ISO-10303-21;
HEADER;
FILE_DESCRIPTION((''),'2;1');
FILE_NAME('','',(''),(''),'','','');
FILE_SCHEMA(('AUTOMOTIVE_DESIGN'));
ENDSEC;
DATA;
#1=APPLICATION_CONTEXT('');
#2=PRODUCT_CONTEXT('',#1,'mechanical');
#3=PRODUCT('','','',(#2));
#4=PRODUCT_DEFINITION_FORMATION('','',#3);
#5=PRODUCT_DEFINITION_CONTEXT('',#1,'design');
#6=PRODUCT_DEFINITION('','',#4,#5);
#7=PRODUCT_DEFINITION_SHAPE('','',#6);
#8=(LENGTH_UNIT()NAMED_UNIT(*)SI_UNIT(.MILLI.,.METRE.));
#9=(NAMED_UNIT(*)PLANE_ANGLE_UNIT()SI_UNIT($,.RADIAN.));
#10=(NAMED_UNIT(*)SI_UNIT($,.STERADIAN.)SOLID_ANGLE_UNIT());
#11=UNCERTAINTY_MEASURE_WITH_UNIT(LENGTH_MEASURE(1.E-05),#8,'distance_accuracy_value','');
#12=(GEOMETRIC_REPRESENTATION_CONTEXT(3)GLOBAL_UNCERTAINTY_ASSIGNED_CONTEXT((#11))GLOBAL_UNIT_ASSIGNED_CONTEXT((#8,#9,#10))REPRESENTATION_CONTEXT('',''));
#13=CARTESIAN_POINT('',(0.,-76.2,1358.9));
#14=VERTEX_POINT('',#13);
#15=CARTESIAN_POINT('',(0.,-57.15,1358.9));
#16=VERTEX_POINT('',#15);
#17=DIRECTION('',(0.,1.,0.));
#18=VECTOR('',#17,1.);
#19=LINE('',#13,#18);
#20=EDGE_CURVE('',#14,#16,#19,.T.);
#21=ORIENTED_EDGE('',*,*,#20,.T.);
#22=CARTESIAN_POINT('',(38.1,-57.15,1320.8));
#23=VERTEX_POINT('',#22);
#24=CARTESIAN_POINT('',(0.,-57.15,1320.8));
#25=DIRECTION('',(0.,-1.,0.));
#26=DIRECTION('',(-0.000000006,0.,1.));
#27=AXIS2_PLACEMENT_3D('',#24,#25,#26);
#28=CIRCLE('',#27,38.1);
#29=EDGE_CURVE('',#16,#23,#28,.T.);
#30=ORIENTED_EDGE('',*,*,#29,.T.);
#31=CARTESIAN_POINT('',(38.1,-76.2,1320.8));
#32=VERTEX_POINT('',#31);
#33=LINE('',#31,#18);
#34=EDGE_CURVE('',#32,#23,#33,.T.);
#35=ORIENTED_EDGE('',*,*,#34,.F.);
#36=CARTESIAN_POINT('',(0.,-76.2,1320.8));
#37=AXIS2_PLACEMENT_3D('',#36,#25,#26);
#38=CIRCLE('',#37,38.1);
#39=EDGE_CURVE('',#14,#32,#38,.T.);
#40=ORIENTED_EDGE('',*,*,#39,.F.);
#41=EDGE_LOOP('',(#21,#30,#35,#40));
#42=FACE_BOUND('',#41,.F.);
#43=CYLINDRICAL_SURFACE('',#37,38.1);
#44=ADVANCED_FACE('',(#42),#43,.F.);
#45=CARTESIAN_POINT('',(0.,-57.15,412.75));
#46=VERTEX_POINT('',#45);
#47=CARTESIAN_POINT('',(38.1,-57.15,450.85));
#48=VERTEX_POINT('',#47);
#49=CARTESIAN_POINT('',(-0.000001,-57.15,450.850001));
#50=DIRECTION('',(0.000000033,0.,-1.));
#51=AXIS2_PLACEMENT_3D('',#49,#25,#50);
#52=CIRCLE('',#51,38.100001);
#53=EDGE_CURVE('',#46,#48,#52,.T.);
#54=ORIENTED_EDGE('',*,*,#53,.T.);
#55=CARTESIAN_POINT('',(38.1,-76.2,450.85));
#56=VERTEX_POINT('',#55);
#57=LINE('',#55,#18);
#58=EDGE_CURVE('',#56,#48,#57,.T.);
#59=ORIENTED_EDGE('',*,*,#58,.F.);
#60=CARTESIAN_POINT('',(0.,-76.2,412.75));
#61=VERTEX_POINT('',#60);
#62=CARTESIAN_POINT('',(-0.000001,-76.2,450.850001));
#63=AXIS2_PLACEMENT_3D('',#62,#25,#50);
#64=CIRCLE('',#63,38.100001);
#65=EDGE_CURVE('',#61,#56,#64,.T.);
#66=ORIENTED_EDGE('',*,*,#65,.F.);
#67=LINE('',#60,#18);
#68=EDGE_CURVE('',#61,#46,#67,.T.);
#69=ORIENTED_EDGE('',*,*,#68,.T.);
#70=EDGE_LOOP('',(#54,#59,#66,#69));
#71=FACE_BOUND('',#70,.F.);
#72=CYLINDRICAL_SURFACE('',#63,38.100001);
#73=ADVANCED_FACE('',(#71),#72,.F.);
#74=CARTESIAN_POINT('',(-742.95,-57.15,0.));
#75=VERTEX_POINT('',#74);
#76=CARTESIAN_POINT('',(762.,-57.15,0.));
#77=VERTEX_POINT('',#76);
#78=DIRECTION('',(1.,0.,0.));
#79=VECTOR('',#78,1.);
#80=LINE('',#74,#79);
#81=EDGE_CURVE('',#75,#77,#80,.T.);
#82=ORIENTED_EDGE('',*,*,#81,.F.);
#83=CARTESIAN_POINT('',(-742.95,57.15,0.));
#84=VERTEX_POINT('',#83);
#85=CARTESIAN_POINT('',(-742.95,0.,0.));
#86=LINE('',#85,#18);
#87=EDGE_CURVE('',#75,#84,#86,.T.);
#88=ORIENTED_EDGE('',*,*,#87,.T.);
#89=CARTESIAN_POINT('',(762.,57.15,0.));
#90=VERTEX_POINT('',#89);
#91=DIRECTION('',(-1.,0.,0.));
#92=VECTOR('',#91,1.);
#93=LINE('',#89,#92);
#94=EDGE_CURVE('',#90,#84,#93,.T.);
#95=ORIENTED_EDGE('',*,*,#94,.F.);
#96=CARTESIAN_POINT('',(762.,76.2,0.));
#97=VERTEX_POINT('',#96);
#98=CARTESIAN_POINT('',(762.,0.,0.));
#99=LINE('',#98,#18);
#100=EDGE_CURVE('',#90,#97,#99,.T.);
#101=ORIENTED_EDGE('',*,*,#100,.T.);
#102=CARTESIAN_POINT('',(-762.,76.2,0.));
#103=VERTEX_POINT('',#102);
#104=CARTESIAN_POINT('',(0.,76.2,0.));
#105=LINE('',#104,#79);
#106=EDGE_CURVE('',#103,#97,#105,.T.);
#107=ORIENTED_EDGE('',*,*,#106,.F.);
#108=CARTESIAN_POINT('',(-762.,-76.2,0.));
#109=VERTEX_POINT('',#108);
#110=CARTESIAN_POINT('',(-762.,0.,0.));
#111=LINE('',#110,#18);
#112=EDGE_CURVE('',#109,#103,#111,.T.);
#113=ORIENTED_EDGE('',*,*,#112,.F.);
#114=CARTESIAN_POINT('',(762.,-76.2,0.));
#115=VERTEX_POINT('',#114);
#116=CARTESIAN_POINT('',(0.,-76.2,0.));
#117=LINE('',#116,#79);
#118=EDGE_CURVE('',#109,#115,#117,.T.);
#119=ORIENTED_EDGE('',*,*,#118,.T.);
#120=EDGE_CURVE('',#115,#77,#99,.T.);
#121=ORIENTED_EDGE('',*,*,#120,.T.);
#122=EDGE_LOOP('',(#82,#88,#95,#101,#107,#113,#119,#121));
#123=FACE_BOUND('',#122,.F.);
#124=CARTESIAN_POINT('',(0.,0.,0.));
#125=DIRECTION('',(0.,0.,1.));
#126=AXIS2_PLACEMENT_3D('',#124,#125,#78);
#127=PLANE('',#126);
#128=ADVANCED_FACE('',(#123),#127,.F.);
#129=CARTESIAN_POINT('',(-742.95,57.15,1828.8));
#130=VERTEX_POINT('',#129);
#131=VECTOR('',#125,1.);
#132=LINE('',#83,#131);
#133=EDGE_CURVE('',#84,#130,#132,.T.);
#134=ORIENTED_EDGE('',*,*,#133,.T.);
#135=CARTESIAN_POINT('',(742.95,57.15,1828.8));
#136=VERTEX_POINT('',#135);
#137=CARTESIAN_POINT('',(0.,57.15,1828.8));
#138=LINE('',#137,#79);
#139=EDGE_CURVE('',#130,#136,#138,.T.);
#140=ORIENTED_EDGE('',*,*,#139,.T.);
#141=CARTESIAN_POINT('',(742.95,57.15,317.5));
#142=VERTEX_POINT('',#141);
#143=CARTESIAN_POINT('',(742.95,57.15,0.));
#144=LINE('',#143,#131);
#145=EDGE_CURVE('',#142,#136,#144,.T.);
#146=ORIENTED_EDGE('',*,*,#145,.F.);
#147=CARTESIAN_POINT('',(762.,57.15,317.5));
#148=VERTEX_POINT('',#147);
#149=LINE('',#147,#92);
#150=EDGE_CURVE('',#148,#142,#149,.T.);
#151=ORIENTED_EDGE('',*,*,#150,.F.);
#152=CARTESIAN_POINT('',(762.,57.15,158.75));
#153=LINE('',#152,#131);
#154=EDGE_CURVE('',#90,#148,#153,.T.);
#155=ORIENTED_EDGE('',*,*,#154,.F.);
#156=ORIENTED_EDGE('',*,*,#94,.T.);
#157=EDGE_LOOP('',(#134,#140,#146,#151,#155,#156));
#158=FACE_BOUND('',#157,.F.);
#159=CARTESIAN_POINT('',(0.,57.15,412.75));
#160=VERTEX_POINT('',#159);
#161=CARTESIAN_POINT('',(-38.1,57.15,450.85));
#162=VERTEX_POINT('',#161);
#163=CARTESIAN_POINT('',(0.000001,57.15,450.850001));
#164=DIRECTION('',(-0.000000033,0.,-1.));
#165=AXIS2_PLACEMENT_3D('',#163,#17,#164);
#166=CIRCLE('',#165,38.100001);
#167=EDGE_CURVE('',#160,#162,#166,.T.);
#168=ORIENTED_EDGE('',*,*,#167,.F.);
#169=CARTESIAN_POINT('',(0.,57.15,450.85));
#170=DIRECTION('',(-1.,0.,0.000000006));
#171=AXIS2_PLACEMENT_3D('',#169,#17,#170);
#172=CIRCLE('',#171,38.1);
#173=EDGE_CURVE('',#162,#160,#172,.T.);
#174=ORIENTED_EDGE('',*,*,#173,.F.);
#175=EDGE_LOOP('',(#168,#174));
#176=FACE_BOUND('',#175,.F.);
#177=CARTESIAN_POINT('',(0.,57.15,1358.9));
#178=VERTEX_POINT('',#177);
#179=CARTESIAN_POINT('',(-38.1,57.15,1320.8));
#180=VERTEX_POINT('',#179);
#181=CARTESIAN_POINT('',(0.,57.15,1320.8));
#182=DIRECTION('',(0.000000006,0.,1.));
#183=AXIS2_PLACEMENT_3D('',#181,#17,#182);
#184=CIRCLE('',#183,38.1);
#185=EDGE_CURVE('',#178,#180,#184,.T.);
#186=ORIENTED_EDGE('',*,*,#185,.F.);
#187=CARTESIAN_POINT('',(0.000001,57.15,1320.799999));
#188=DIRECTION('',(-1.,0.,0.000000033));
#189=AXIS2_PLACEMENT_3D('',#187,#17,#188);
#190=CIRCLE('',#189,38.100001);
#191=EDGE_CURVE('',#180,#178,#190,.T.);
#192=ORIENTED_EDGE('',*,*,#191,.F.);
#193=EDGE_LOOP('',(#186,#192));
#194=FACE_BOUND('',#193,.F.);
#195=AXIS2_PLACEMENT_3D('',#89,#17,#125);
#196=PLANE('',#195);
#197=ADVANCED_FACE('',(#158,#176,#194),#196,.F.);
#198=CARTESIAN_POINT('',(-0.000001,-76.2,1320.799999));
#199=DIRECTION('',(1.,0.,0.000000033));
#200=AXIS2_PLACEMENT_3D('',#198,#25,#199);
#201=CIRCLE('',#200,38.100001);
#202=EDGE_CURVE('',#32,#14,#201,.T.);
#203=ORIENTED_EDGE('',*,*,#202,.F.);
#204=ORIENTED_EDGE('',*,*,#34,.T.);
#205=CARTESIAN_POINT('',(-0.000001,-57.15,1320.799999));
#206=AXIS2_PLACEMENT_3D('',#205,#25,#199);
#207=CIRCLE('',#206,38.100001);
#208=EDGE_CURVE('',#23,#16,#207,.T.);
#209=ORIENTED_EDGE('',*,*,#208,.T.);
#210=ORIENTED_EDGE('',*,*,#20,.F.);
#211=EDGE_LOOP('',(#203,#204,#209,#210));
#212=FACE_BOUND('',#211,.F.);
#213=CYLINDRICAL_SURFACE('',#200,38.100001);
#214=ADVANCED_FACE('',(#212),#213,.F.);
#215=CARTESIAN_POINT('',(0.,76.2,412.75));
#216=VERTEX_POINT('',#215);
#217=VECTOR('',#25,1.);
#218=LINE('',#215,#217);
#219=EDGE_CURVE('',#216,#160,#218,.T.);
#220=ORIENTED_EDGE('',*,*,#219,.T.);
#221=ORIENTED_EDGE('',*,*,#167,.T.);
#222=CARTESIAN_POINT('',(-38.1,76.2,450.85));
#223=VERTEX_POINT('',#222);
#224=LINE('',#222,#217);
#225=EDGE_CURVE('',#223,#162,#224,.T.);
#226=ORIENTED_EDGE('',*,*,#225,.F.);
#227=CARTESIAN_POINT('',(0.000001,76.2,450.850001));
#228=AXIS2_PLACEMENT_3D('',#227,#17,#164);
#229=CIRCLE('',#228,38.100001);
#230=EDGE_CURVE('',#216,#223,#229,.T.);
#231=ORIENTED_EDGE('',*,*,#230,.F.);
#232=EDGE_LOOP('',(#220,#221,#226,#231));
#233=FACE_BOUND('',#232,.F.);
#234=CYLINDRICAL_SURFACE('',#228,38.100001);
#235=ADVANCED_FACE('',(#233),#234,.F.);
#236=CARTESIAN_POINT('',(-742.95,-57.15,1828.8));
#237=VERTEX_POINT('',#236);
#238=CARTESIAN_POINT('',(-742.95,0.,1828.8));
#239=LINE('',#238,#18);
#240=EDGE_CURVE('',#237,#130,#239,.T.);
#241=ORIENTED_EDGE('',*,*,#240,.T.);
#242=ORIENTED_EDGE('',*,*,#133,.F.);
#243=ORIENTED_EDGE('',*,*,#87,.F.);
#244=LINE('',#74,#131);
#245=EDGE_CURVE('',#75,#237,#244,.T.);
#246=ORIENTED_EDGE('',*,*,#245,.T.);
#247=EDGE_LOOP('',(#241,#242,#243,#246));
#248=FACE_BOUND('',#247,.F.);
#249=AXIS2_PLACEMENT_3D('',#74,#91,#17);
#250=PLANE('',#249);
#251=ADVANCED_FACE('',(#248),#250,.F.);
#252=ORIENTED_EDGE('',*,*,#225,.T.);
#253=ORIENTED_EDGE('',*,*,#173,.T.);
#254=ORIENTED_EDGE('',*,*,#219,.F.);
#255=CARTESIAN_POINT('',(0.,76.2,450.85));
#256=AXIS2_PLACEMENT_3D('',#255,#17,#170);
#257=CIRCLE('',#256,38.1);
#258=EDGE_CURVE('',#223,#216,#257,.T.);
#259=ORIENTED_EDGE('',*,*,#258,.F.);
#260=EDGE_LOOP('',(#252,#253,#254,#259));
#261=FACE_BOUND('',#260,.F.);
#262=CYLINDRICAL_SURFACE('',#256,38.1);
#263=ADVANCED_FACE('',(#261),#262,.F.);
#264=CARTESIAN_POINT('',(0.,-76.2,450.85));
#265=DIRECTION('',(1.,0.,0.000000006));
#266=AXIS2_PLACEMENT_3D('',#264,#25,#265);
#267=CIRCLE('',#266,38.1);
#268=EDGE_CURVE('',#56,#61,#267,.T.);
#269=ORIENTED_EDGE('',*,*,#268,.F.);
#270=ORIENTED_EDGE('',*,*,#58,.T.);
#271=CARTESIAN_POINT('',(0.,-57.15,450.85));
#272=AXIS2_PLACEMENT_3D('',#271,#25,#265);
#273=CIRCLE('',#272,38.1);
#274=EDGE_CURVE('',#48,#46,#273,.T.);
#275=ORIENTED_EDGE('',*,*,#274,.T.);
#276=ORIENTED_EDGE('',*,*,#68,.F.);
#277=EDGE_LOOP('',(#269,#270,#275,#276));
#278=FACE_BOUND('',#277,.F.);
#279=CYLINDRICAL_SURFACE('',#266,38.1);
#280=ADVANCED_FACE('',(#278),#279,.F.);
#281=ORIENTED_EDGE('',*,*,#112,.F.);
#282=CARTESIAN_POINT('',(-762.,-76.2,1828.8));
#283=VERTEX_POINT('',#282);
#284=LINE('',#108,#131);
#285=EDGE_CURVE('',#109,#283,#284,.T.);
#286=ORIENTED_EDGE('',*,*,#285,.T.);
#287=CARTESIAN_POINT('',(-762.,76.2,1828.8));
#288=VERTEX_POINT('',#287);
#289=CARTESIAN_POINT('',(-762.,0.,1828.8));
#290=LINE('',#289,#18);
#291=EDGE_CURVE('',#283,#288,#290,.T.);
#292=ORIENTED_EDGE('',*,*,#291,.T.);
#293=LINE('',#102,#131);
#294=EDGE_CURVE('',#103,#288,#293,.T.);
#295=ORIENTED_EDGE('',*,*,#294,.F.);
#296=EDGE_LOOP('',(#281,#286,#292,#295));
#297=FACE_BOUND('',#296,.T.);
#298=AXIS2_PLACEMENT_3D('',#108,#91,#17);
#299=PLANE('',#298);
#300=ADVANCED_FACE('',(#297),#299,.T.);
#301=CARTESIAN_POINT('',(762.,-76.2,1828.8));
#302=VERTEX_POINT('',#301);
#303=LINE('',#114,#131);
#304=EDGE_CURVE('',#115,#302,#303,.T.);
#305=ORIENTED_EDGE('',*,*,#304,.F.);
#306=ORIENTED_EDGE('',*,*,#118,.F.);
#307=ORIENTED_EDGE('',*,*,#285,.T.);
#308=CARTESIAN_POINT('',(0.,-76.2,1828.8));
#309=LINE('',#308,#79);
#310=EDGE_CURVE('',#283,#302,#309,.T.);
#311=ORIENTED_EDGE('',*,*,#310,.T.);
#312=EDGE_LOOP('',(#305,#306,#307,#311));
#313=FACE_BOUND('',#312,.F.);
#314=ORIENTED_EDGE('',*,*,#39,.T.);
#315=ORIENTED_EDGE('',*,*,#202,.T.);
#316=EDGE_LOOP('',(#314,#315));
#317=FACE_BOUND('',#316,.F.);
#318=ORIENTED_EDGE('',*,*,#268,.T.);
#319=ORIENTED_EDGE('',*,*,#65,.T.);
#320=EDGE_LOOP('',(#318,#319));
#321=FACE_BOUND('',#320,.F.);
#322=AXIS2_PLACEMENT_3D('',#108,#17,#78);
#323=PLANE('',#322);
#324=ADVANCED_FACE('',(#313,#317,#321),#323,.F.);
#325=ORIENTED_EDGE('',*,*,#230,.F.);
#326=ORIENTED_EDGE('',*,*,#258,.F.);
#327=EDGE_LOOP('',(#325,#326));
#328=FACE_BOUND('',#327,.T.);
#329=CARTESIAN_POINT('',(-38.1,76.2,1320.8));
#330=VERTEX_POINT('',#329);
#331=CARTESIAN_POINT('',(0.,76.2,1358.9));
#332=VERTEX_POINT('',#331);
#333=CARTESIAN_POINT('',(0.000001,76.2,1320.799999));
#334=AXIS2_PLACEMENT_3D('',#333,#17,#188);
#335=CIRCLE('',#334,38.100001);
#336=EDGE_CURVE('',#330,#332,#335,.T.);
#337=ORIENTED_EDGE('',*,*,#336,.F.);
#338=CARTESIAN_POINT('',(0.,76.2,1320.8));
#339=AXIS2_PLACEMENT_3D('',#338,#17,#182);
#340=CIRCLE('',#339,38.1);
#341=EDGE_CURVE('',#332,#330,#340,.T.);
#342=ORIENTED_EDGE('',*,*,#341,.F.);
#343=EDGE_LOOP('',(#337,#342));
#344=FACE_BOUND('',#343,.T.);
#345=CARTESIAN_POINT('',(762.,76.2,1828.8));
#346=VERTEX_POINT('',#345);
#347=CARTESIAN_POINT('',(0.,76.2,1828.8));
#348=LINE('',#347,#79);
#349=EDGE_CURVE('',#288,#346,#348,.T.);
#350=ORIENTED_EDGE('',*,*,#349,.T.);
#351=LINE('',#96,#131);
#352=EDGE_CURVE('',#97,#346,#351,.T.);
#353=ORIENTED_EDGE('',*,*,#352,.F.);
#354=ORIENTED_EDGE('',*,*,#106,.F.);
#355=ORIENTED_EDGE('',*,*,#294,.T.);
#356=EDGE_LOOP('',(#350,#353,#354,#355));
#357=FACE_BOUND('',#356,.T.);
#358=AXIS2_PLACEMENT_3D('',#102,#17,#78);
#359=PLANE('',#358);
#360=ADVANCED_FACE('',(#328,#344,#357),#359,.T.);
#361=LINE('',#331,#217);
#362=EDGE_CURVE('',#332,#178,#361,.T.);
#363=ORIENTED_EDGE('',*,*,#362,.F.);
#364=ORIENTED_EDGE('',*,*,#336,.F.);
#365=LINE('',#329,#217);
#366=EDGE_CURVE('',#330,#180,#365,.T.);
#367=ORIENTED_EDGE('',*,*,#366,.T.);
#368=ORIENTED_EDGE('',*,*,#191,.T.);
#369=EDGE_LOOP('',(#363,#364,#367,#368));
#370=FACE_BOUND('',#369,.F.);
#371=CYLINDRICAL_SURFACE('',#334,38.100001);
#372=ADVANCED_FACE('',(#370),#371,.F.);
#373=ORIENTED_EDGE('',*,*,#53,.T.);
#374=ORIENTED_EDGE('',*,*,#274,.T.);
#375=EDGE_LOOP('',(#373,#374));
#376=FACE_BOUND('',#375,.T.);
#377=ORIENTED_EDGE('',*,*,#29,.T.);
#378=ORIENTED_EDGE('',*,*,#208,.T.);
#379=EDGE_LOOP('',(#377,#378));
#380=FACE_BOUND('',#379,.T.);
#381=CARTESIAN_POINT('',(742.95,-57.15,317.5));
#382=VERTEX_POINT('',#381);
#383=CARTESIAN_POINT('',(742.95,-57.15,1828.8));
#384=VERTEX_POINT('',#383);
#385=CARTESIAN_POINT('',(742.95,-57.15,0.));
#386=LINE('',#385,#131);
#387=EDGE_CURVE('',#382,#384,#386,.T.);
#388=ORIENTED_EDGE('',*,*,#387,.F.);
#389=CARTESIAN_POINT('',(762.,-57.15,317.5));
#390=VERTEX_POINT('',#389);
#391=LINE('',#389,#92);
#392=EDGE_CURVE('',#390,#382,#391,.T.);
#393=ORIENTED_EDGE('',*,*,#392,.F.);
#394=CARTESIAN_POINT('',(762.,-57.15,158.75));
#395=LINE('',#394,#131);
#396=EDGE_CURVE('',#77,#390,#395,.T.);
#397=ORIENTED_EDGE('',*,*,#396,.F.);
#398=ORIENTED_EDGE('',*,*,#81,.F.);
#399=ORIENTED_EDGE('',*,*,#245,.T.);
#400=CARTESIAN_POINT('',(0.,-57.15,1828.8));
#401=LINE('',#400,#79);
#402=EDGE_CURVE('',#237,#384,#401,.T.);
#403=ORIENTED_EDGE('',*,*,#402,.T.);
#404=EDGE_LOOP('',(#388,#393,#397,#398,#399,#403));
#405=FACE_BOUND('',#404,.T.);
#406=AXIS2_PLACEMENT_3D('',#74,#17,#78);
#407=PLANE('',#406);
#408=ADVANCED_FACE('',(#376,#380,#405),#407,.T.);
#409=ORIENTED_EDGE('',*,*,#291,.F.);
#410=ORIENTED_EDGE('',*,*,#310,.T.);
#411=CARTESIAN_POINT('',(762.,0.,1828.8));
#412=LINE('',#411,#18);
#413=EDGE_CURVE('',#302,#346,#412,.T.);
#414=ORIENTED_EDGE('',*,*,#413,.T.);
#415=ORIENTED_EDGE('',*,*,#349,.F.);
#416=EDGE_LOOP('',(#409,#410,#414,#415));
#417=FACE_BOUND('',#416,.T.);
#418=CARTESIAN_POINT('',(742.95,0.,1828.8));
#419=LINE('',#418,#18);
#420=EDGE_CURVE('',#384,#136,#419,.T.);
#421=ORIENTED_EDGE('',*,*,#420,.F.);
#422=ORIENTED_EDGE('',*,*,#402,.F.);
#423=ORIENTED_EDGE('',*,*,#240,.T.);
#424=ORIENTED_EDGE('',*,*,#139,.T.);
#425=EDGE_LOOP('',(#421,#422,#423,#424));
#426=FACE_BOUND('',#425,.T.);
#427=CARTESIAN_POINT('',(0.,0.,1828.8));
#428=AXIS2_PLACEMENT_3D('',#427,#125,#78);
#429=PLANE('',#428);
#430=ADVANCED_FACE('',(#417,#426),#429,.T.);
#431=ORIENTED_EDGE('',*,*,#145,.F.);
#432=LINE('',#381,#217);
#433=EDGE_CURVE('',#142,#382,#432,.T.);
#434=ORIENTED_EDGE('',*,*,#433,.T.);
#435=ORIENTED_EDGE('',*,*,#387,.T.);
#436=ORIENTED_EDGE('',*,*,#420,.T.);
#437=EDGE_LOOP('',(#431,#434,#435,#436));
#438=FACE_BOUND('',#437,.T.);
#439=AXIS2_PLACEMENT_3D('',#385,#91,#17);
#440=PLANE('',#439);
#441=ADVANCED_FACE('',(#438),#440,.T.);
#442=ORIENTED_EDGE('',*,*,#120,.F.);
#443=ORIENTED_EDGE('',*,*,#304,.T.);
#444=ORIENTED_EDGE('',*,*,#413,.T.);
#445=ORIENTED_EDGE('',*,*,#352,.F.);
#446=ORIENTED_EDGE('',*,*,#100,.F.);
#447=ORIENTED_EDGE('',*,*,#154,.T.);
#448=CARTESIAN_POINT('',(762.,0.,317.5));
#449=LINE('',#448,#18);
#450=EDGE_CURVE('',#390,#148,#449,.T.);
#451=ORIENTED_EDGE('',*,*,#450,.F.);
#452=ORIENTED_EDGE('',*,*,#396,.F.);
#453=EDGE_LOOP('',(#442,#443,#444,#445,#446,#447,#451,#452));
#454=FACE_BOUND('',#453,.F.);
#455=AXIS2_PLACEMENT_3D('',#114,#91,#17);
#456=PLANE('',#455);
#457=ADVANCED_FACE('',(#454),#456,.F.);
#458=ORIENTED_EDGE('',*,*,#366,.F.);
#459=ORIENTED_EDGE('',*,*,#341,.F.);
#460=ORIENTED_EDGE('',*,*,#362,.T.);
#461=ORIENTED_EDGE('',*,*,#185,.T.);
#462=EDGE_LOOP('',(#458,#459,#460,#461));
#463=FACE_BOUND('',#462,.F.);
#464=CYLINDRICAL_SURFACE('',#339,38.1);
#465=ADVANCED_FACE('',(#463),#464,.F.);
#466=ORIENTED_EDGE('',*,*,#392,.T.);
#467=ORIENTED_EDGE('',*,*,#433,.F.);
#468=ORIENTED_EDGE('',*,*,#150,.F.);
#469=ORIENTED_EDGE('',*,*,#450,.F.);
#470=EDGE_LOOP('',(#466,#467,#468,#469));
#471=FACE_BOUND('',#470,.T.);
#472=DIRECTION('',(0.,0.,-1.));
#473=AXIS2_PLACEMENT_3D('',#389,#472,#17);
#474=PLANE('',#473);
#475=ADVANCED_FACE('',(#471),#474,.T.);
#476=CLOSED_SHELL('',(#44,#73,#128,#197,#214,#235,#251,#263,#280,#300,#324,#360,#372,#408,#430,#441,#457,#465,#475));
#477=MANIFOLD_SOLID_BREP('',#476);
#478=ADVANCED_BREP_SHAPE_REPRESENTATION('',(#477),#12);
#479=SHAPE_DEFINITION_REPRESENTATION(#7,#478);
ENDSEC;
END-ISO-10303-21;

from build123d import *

# Parameters (mm, degrees)
F0_W     = 1524
F0_H     = 152.4
F0_W_2   = 1485.9
F0_H_2   = 114.3
F1_DEPTH = 1828.8
F2_W     = 114.3
F2_H     = 317.5
F3_DEPTH = 25.4
F5_DEPTH = 25.4
F7_DEPTH = 25.4


with BuildPart() as f1:
    # F0 (on Top) → F1 (new body)
    with BuildSketch(Plane.XY):
        Rectangle(F0_W, F0_H)
        Rectangle(F0_W_2, F0_H_2, mode=Mode.SUBTRACT)
    extrude(amount=F1_DEPTH)

    # F2 (on face) → F3 (cut)
    with BuildSketch(Plane.YZ.offset(762)):
        with Locations((0, 158.75)):
            Rectangle(F2_W, F2_H)
    extrude(amount=-F3_DEPTH, mode=Mode.SUBTRACT)

    # F4 (on face) → F5 (cut)
    with BuildSketch(Plane(origin=(0, 76.2, 0), x_dir=(-1, 0, 0), z_dir=(0, 1, 0))):
        with BuildLine():
            ThreePointArc((38.1, 1320.8), (26.940768, 1347.740768), (0, 1358.9))
            ThreePointArc((0, 1358.9), (-26.940768, 1293.859232), (38.1, 1320.8))
        make_face()
        with BuildLine():
            ThreePointArc((38.1, 450.85), (-26.940768, 477.790768), (0, 412.75))
            ThreePointArc((0, 412.75), (26.940768, 423.909232), (38.1, 450.85))
        make_face()
    extrude(amount=-F5_DEPTH, mode=Mode.SUBTRACT)

    # F6 (on face) → F7 (cut)
    with BuildSketch(Plane.XZ.offset(76.2)):
        with BuildLine():
            ThreePointArc((38.1, 1320.8), (26.940768, 1347.740768), (0, 1358.9))
            ThreePointArc((0, 1358.9), (-26.940768, 1293.859232), (38.1, 1320.8))
        make_face()
        with BuildLine():
            ThreePointArc((38.1, 450.85), (-26.940768, 477.790768), (0, 412.75))
            ThreePointArc((0, 412.75), (26.940768, 423.909232), (38.1, 450.85))
        make_face()
    extrude(amount=-F7_DEPTH, mode=Mode.SUBTRACT)


solid = f1.part
